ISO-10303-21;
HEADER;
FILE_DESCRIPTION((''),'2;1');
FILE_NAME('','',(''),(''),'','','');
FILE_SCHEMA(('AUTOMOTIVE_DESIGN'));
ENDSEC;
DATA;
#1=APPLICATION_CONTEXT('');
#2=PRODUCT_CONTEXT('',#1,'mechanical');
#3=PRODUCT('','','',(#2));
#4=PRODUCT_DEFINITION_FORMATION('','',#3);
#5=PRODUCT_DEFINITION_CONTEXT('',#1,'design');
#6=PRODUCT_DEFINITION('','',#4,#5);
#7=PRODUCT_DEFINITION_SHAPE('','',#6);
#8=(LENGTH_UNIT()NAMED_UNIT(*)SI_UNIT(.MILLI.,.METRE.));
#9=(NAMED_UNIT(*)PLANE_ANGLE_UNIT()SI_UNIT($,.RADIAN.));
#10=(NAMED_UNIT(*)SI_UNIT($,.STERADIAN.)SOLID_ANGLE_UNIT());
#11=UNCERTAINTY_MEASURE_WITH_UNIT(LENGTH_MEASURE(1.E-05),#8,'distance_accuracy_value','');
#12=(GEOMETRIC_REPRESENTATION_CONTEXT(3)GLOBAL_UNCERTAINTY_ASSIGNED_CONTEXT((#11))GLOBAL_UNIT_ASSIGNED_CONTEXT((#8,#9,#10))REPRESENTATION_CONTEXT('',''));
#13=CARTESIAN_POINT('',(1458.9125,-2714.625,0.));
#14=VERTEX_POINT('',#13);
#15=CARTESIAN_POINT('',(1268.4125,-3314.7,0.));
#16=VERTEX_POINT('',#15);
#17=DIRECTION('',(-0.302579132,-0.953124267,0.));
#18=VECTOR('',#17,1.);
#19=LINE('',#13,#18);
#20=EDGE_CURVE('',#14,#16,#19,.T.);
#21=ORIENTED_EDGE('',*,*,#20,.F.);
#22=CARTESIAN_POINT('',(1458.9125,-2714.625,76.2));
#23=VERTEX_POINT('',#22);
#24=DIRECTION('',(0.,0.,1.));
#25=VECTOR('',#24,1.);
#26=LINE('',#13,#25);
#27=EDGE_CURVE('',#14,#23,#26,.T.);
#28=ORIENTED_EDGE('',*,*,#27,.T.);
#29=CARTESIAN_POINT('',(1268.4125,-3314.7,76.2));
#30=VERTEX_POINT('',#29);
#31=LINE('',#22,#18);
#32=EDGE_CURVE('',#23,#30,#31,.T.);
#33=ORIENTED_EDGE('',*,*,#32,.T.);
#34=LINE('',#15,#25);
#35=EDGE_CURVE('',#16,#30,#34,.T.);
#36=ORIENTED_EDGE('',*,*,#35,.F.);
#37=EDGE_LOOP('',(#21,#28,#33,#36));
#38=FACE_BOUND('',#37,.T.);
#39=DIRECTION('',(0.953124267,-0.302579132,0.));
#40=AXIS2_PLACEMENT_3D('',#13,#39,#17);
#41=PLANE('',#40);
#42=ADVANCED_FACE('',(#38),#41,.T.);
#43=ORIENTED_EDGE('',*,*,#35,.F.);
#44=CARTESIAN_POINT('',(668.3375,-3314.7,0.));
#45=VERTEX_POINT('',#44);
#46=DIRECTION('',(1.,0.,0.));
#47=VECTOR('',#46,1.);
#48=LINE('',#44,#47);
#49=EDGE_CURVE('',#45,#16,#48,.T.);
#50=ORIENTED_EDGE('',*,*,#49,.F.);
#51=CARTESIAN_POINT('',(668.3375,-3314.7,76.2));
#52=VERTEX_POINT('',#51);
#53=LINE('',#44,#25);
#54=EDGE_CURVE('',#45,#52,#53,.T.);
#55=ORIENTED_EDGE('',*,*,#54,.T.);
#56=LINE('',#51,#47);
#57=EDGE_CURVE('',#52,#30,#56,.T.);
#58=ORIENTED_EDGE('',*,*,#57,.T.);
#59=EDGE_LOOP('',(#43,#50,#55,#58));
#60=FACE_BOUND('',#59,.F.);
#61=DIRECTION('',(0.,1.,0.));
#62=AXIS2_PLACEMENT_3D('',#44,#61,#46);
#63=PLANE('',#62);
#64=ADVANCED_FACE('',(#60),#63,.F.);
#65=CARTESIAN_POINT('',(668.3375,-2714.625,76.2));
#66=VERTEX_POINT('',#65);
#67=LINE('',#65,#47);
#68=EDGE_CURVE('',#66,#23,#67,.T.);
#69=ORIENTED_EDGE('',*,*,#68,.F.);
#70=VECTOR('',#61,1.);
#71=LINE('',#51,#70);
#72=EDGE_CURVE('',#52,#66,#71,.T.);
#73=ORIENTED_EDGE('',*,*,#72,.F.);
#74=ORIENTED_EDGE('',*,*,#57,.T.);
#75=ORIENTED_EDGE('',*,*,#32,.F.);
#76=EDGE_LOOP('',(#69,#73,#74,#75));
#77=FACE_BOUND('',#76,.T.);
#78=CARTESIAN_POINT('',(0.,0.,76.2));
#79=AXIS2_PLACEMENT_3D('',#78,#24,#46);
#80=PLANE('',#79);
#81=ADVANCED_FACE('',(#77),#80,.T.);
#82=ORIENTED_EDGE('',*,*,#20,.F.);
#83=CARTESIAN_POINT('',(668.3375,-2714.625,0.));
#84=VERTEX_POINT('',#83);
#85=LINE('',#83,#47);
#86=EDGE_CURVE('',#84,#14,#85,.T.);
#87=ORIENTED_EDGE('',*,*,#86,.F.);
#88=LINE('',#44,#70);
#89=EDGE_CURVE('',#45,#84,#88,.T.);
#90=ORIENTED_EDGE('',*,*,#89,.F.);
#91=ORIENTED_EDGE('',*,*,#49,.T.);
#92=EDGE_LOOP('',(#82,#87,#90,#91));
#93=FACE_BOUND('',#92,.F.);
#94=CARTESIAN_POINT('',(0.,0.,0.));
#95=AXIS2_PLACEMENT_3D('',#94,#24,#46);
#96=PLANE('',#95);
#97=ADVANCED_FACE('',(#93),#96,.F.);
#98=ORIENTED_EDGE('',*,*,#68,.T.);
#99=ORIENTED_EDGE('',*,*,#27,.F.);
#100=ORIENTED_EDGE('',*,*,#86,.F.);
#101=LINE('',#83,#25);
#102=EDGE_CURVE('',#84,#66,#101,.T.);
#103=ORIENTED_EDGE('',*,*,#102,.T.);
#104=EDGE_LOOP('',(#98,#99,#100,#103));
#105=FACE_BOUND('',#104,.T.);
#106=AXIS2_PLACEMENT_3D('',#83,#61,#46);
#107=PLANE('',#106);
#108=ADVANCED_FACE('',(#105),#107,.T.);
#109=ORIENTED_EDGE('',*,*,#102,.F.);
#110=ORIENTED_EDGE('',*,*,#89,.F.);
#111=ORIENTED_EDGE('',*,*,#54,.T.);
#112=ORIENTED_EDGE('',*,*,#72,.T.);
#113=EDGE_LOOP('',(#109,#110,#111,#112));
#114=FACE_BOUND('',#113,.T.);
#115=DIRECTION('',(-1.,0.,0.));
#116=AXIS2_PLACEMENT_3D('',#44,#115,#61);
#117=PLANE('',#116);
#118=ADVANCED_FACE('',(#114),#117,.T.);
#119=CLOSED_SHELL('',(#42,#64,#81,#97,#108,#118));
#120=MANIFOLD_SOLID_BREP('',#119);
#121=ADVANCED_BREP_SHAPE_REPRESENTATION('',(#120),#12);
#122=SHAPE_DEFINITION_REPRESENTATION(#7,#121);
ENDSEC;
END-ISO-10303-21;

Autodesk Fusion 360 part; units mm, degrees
sketch "Sketch1" plane through (0, 0, 0) normal (0, 0, 1) x (1, 0, 0)
  line L0 (0, 0) -> (0, -600.075)
  line L1 (0, -600.075) -> (744.5375, -600.075)
  line L2 (0, 0) -> (947.7375, 0)
  line L3 (947.7375, 0) -> (744.5375, -600.075)
  line L4 (1049.3375, -600.075) -> (2105.025, -600.075)
  line L5 (1049.3375, -600.075) -> (1252.5375, 0)
  line L6 (2105.025, -600.075) -> (1698.625, 0)
  line L7 (1252.5375, 0) -> (1698.625, 0)
  line L8 (2003.425, 0) -> (3025.775, 0)
  line L9 (2409.825, -600.075) -> (3025.775, -600.075)
  line L10 (3025.775, 0) -> (3025.775, -600.075)
  line L11 (2409.825, -600.075) -> (2003.425, 0)
  line L12 (0, -904.875) -> (0, -1504.95)
  line L13 (0, -1504.95) -> (376.2375, -1504.95)
  line L14 (376.2375, -1504.95) -> (528.6375, -904.875)
  line L15 (0, -904.875) -> (528.6375, -904.875)
  line L16 (579.4375, -1504.95) -> (1636.7125, -1504.95)
  line L17 (731.8375, -904.875) -> (1420.8125, -904.875)
  line L18 (579.4375, -1504.95) -> (731.8375, -904.875)
  line L19 (1420.8125, -904.875) -> (1636.7125, -1504.95)
  line L20 (1839.9125, -1504.95) -> (2160.5875, -1504.95)
  line L21 (1624.0125, -904.875) -> (2401.8875, -904.875)
  line L22 (1624.0125, -904.875) -> (1839.9125, -1504.95)
  line L23 (2160.5875, -1504.95) -> (2401.8875, -904.875)
  line L24 (2363.7875, -1504.95) -> (3019.425, -1504.95)
  line L25 (2605.0875, -904.875) -> (3019.425, -904.875)
  line L26 (3019.425, -904.875) -> (3019.425, -1504.95)
  line L27 (2605.0875, -904.875) -> (2363.7875, -1504.95)
  line L28 (0, -1809.75) -> (0, -2409.825)
  line L29 (0, -1809.75) -> (909.6375, -1809.75)
  line L30 (0, -2409.825) -> (795.3375, -2409.825)
  line L31 (795.3375, -2409.825) -> (909.6375, -1809.75)
  line L32 (1214.4375, -1809.75) -> (2017.7125, -1809.75)
  line L33 (1100.1375, -2409.825) -> (1878.0125, -2409.825)
  line L34 (1100.1375, -2409.825) -> (1214.4375, -1809.75)
  line L35 (1878.0125, -2409.825) -> (2017.7125, -1809.75)
  line L36 (2182.8125, -2409.825) -> (3028.95, -2409.825)
  line L37 (2322.5125, -1809.75) -> (3028.95, -1809.75)
  line L38 (2322.5125, -1809.75) -> (2182.8125, -2409.825)
  line L39 (3028.95, -1809.75) -> (3028.95, -2409.825)
  line L40 (0, -2714.625) -> (0, -3314.7)
  line L41 (0, -2714.625) -> (465.1375, -2714.625)
  line L42 (465.1375, -2714.625) -> (465.1375, -3314.7)
  line L43 (465.1375, -3314.7) -> (0, -3314.7)
  line L44 (668.3375, -3314.7) -> (1268.4125, -3314.7)
  line L45 (668.3375, -3314.7) -> (668.3375, -2714.625)
  line L46 (668.3375, -2714.625) -> (1458.9125, -2714.625)
  line L47 (1458.9125, -2714.625) -> (1268.4125, -3314.7)
  line L48 (1471.6125, -3314.7) -> (2236.7875, -3314.7)
  line L49 (1662.1125, -2714.625) -> (2528.8875, -2714.625)
  line L50 (1471.6125, -3314.7) -> (1662.1125, -2714.625)
  line L51 (2528.8875, -2714.625) -> (2236.7875, -3314.7)
  line L52 (2439.9875, -3314.7) -> (3019.425, -3314.7)
  line L53 (2732.0875, -2714.625) -> (3019.425, -2714.625)
  line L54 (2439.9875, -3314.7) -> (2732.0875, -2714.625)
  line L55 (3019.425, -2714.625) -> (3019.425, -3314.7)
  dimension "d1" = 600.075
  dimension "d2" = 744.5375
  dimension "d3" = 1055.6875
  dimension "d4" = 304.8
  dimension "d5" = 1022.35
  dimension "d6" = 615.95
  dimension "d7" = 0
  dimension "d8" = 304.8
  dimension "d9" = 376.2375
  dimension "d10" = 1057.275
  dimension "d11" = 203.2
  dimension "d12" = 688.975
  dimension "d13" = 320.675
  dimension "d14" = 777.875
  dimension "d15" = 203.2
  dimension "d16" = 655.6375
  dimension "d17" = 414.3375
  dimension "d18" = 203.2
  dimension "d19" = 0
  dimension "d20" = 0
  dimension "d21" = 909.6375
  dimension "d22" = 795.3375
  dimension "d23" = 803.275
  dimension "d24" = 777.875
  dimension "d25" = 304.8
  dimension "d26" = 846.1375
  dimension "d27" = 304.8
  dimension "d28" = 706.4375
  dimension "d29" = 304.8
  dimension "d30" = 947.7375
  dimension "d31" = 446.0875
  dimension "d32" = 528.6375
  dimension "d33" = 0
  dimension "d34" = 0
  dimension "d35" = 465.1375
  dimension "d36" = 600.075
  dimension "d37" = 203.2
  dimension "d38" = 790.575
  dimension "d39" = 765.175
  dimension "d40" = 203.2
  dimension "d41" = 866.775
  dimension "d42" = 579.4375
  dimension "d43" = 287.3375
  dimension "d44" = 203.2
extrude "Extrude1" add sketch "Sketch1" along normal blind 76.2 contours L44 L45 L46 L47
equation "d1 = 23 5/8\""
equation "d2 = 29 5/16\""
equation "d3 = 41 9/16\""
equation "d5 = 40 1/4\""
equation "d6 = 24 1/4\""
equation "d7 = d20"
equation "d9 = 14 13/16\""
equation "d12 = 27 1/8\""
equation "d13 = 12 5/8\""
equation "d14 = 30 5/8\""
equation "d16 = 25 13/16\""
equation "d17 = 16 5/16\""
equation "d19 = d20"
equation "d20 = d33"
equation "d21 = 35 13/16\""
equation "d22 = 31 5/16\""
equation "d23 = 31 5/8\""
equation "d24 = 30 5/8\""
equation "d26 = 33 5/16\""
equation "d28 = 27 13/16\""
equation "d30 = 37 5/16\""
equation "d31 = 17 9/16\""
equation "d32 = 20 13/16\""
equation "d33 = d33"
equation "d34 = d20"
equation "d35 = 18 5/16\""
equation "d36 = 23 5/8\""
equation "d38 = 31 1/8\""
equation "d41 = 34 1/8\""
